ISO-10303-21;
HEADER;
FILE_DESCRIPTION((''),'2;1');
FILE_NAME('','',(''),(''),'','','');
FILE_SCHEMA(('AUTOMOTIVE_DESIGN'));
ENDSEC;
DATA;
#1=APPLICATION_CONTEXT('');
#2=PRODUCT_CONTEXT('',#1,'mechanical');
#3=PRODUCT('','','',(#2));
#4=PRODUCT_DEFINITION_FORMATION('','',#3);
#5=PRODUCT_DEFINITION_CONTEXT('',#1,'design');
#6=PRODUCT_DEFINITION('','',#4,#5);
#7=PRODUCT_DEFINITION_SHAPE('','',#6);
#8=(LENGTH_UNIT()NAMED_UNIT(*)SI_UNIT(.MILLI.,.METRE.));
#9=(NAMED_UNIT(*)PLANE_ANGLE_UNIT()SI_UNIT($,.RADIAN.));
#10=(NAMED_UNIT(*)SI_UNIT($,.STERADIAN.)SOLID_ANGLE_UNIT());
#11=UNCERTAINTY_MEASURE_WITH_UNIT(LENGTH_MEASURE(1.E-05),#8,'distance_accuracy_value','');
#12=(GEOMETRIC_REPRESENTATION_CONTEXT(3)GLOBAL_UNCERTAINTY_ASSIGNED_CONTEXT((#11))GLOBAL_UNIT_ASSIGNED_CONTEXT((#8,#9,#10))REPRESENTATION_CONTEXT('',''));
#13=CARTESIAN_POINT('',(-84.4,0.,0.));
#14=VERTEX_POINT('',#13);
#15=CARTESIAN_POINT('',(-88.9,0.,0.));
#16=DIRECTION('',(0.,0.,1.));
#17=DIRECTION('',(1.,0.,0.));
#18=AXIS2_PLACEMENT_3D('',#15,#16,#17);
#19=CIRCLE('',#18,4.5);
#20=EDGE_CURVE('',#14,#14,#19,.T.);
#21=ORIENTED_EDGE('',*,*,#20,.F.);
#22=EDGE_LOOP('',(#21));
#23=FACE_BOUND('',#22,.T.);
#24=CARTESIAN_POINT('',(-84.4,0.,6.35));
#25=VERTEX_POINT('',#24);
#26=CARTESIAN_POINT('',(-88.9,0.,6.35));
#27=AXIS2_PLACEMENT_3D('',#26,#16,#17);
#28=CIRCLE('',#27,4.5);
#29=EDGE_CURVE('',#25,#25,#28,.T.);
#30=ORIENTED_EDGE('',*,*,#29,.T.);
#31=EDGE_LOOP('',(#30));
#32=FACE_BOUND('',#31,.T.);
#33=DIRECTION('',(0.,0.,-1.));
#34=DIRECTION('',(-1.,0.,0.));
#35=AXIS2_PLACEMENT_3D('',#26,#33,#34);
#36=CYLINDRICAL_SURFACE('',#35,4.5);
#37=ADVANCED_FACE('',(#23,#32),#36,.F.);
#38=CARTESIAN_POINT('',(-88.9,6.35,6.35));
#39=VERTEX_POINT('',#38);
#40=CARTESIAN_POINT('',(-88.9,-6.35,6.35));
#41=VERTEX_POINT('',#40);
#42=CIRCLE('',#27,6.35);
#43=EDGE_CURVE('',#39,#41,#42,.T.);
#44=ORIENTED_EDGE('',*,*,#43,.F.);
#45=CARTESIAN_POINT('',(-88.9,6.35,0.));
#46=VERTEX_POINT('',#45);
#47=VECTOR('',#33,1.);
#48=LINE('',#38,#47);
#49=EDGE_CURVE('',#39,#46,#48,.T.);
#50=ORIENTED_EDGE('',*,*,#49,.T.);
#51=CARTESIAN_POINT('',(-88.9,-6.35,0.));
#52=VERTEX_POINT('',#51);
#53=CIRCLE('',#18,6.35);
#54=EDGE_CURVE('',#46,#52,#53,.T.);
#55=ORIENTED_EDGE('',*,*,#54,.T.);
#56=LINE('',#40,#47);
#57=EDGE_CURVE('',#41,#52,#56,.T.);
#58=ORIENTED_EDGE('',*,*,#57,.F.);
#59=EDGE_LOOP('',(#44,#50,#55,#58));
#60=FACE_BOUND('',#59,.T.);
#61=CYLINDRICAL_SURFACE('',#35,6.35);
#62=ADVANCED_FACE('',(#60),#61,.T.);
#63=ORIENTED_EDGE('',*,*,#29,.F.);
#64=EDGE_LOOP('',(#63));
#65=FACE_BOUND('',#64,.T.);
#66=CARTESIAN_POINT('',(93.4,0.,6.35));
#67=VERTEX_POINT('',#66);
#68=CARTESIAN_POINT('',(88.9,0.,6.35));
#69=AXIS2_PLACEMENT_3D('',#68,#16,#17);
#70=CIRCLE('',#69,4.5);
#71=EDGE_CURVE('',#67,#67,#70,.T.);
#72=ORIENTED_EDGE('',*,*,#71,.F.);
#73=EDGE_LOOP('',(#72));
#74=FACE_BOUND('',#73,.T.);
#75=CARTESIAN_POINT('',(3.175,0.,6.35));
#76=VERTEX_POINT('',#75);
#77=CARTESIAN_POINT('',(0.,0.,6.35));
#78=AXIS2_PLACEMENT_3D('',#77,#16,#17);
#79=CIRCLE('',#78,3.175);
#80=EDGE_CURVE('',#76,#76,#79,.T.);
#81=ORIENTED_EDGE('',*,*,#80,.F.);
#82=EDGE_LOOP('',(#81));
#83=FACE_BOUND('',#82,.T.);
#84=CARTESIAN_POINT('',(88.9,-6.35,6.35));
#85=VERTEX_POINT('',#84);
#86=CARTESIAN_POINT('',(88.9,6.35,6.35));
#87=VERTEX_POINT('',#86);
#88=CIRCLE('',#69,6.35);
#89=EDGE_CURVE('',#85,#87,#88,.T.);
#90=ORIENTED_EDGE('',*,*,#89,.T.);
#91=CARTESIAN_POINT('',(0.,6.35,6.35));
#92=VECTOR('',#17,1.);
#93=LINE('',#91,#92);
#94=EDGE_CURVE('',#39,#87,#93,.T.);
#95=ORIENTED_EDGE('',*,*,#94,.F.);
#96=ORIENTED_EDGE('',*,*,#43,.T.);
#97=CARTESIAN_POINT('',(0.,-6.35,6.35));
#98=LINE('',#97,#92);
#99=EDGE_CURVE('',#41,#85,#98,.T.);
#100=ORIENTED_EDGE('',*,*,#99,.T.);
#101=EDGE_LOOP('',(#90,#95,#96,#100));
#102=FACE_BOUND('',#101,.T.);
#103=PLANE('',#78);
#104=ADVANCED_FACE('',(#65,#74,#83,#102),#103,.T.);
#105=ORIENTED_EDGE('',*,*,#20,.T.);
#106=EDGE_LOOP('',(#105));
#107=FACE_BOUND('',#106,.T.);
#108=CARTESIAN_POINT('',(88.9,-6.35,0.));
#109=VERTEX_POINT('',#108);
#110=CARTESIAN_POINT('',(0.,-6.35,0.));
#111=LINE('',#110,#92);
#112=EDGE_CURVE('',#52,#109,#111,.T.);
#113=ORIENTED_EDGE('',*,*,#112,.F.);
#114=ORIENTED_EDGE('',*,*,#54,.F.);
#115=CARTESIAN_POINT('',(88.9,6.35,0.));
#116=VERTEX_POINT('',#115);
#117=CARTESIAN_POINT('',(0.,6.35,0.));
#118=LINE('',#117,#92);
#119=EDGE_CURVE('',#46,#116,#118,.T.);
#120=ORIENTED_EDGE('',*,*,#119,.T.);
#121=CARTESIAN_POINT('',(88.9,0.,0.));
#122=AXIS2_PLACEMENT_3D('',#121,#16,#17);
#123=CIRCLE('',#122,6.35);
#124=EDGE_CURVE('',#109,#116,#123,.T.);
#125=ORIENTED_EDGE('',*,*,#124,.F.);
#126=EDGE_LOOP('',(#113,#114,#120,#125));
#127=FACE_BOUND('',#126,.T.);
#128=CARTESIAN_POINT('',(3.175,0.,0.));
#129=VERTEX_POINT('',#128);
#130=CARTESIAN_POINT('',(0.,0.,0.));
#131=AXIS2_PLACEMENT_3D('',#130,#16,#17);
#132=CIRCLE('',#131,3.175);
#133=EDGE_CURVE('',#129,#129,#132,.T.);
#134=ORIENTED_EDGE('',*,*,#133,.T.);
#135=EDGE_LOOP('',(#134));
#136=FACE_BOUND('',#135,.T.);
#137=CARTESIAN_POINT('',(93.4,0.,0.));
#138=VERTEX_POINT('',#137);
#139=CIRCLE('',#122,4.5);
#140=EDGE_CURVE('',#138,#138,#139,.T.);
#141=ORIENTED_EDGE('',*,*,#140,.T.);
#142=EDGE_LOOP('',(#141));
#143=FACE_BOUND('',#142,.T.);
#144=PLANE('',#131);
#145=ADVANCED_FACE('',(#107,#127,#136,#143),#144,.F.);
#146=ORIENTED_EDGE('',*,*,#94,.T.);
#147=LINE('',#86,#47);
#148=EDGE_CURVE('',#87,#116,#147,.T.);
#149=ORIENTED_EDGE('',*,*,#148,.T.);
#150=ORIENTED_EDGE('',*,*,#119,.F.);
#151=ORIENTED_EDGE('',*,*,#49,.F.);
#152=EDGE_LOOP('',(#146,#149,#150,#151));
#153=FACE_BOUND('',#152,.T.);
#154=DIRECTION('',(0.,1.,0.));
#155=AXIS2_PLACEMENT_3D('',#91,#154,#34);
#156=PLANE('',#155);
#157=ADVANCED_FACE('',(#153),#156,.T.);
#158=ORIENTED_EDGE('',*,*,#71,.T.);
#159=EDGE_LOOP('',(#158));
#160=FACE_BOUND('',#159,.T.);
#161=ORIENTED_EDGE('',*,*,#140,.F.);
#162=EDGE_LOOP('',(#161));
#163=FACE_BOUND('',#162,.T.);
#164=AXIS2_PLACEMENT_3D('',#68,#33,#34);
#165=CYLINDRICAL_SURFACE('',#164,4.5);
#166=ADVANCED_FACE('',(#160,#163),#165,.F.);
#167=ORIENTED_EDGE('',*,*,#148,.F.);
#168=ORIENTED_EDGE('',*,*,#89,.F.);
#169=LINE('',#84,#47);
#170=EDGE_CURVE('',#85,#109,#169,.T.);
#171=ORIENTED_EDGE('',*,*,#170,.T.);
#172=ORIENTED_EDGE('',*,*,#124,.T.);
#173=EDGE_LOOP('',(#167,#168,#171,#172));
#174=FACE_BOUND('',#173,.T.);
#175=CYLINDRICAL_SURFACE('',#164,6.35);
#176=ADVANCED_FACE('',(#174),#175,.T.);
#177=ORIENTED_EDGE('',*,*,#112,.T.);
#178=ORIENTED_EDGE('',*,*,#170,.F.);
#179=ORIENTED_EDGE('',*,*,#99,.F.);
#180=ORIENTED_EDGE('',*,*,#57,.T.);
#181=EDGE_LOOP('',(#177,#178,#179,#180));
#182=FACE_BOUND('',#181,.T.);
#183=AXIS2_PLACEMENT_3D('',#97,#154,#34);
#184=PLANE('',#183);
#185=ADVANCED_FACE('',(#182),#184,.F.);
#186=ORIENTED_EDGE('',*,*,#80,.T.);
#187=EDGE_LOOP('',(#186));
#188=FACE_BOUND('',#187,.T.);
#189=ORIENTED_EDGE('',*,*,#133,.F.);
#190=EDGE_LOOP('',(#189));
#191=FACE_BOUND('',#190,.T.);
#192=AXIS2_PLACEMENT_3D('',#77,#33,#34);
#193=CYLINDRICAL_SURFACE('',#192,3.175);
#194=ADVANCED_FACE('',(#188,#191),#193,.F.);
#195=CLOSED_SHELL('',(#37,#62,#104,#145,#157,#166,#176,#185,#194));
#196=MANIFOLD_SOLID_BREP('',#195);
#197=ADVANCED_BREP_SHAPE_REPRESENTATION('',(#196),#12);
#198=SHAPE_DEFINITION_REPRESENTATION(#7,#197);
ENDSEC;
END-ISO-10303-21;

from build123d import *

# Parameters (mm, degrees)
SKETCH1_R           = 4.5
SKETCH1_R_2         = 3.175
BOSS_EXTRUDE1_DEPTH = 6.35


with BuildPart() as part:
    # Sketch1 → Boss-Extrude1 (new body)
    with BuildSketch(Plane.XY):
        with BuildLine():
            Line((-88.9, 6.35), (88.9, 6.35))
            ThreePointArc((88.9, 6.35), (95.25, 0), (88.9, -6.35))
            Line((88.9, -6.35), (-88.9, -6.35))
            ThreePointArc((-88.9, -6.35), (-95.25, 0), (-88.9, 6.35))
        make_face()
        with Locations((-88.9, 0)):
            Circle(SKETCH1_R, mode=Mode.SUBTRACT)
        with Locations((88.9, 0)):
            Circle(SKETCH1_R, mode=Mode.SUBTRACT)
        Circle(SKETCH1_R_2, mode=Mode.SUBTRACT)
    extrude(amount=BOSS_EXTRUDE1_DEPTH)


solid = part.part
